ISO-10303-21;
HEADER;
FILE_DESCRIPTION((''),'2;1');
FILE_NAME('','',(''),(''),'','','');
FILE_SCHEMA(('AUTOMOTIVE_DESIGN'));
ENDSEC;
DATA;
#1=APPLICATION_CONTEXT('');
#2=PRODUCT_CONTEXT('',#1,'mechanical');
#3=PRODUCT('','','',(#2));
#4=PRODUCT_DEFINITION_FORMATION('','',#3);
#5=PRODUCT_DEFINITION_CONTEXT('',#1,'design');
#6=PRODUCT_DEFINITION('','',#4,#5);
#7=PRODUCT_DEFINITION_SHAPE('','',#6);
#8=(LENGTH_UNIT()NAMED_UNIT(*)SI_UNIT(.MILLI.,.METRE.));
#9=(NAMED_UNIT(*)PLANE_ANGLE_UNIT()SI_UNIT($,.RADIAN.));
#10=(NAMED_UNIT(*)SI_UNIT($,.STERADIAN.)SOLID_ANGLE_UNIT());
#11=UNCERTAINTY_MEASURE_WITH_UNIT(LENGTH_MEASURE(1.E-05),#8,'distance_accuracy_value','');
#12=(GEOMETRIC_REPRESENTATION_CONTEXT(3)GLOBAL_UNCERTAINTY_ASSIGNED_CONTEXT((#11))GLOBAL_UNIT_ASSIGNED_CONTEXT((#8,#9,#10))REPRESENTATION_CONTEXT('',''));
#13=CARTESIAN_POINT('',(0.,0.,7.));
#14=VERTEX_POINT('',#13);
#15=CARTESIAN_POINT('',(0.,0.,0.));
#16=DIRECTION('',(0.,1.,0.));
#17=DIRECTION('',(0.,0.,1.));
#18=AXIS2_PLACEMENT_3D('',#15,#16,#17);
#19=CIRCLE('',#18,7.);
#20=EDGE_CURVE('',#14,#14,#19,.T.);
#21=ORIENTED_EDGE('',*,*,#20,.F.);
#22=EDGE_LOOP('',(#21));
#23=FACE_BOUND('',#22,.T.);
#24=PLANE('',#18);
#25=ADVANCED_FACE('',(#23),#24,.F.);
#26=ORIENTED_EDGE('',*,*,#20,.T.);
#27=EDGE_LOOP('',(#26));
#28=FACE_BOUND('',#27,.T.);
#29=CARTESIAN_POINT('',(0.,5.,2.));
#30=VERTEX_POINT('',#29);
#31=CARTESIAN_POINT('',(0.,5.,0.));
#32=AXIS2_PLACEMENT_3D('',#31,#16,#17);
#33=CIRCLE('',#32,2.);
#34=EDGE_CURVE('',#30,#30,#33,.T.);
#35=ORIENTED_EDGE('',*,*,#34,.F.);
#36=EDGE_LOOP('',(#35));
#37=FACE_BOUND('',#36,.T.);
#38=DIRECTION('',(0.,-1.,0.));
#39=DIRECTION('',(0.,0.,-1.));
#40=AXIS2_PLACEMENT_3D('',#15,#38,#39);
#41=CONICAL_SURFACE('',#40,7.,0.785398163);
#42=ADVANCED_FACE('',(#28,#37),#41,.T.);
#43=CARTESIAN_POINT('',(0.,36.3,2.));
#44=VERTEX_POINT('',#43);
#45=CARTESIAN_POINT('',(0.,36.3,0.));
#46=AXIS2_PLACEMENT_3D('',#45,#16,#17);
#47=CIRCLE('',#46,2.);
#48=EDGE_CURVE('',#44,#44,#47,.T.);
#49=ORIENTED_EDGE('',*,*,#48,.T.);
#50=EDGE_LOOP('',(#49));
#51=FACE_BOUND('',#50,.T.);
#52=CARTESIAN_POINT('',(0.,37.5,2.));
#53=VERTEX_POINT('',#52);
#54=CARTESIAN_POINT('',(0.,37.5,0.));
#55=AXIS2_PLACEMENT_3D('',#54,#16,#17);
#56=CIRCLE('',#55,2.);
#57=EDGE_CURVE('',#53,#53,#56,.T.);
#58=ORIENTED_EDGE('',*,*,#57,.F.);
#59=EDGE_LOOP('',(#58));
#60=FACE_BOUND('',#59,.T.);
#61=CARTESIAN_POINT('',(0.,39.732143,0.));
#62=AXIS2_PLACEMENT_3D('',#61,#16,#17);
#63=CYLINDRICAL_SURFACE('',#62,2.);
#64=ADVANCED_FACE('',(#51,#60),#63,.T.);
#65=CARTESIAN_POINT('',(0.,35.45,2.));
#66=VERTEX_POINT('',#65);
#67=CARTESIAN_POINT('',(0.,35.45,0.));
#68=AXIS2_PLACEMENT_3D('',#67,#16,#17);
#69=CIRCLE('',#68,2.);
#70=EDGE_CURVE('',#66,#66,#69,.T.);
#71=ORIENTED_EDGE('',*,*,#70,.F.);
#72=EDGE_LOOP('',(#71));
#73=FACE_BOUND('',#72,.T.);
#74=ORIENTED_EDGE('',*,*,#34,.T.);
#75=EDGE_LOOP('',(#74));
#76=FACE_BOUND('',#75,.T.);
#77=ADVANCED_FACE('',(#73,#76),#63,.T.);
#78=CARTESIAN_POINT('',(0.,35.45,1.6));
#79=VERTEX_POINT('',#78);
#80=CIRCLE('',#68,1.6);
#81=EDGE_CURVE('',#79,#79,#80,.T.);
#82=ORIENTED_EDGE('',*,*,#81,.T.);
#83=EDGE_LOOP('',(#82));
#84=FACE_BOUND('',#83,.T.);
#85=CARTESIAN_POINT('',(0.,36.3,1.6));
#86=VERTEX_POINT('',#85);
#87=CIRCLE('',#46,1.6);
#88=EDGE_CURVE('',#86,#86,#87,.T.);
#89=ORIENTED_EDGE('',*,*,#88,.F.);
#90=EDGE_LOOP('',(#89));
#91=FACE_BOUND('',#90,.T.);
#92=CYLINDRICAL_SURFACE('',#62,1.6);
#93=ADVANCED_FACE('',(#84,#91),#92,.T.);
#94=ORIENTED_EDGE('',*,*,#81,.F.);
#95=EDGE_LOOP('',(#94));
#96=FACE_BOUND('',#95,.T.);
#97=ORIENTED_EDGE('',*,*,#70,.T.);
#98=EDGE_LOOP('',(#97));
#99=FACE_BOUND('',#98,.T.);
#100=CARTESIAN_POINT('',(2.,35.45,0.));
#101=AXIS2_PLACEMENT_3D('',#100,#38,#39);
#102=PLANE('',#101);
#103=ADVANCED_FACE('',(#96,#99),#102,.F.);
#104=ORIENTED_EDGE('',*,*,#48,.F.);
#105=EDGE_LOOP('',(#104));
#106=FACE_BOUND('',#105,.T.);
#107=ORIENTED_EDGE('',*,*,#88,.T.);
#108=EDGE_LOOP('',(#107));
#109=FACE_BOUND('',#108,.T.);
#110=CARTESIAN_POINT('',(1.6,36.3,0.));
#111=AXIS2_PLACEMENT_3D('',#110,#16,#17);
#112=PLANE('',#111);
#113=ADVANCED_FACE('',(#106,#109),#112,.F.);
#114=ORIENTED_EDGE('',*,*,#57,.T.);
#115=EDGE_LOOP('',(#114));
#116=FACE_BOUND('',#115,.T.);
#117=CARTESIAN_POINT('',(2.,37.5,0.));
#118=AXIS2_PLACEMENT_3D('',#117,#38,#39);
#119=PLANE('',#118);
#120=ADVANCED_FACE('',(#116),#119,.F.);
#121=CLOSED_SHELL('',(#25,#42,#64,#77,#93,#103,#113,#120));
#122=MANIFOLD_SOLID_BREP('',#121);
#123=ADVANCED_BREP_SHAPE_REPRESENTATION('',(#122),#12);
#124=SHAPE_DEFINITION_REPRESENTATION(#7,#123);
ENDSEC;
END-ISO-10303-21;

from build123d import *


with BuildPart() as part:
    # Skica1 → Rotovat1 (revolve)
    with BuildSketch(Plane.XY):
        Polygon((0, 0), (7, 0), (2, 5), (2, 35.45), (1.6, 35.45), (1.6, 36.3), (2, 36.3), (2, 37.5), (0, 37.5), align=None)
    revolve(axis=Axis((0, 39.732142857, 0), (0, -1, 0)))


solid = part.part
